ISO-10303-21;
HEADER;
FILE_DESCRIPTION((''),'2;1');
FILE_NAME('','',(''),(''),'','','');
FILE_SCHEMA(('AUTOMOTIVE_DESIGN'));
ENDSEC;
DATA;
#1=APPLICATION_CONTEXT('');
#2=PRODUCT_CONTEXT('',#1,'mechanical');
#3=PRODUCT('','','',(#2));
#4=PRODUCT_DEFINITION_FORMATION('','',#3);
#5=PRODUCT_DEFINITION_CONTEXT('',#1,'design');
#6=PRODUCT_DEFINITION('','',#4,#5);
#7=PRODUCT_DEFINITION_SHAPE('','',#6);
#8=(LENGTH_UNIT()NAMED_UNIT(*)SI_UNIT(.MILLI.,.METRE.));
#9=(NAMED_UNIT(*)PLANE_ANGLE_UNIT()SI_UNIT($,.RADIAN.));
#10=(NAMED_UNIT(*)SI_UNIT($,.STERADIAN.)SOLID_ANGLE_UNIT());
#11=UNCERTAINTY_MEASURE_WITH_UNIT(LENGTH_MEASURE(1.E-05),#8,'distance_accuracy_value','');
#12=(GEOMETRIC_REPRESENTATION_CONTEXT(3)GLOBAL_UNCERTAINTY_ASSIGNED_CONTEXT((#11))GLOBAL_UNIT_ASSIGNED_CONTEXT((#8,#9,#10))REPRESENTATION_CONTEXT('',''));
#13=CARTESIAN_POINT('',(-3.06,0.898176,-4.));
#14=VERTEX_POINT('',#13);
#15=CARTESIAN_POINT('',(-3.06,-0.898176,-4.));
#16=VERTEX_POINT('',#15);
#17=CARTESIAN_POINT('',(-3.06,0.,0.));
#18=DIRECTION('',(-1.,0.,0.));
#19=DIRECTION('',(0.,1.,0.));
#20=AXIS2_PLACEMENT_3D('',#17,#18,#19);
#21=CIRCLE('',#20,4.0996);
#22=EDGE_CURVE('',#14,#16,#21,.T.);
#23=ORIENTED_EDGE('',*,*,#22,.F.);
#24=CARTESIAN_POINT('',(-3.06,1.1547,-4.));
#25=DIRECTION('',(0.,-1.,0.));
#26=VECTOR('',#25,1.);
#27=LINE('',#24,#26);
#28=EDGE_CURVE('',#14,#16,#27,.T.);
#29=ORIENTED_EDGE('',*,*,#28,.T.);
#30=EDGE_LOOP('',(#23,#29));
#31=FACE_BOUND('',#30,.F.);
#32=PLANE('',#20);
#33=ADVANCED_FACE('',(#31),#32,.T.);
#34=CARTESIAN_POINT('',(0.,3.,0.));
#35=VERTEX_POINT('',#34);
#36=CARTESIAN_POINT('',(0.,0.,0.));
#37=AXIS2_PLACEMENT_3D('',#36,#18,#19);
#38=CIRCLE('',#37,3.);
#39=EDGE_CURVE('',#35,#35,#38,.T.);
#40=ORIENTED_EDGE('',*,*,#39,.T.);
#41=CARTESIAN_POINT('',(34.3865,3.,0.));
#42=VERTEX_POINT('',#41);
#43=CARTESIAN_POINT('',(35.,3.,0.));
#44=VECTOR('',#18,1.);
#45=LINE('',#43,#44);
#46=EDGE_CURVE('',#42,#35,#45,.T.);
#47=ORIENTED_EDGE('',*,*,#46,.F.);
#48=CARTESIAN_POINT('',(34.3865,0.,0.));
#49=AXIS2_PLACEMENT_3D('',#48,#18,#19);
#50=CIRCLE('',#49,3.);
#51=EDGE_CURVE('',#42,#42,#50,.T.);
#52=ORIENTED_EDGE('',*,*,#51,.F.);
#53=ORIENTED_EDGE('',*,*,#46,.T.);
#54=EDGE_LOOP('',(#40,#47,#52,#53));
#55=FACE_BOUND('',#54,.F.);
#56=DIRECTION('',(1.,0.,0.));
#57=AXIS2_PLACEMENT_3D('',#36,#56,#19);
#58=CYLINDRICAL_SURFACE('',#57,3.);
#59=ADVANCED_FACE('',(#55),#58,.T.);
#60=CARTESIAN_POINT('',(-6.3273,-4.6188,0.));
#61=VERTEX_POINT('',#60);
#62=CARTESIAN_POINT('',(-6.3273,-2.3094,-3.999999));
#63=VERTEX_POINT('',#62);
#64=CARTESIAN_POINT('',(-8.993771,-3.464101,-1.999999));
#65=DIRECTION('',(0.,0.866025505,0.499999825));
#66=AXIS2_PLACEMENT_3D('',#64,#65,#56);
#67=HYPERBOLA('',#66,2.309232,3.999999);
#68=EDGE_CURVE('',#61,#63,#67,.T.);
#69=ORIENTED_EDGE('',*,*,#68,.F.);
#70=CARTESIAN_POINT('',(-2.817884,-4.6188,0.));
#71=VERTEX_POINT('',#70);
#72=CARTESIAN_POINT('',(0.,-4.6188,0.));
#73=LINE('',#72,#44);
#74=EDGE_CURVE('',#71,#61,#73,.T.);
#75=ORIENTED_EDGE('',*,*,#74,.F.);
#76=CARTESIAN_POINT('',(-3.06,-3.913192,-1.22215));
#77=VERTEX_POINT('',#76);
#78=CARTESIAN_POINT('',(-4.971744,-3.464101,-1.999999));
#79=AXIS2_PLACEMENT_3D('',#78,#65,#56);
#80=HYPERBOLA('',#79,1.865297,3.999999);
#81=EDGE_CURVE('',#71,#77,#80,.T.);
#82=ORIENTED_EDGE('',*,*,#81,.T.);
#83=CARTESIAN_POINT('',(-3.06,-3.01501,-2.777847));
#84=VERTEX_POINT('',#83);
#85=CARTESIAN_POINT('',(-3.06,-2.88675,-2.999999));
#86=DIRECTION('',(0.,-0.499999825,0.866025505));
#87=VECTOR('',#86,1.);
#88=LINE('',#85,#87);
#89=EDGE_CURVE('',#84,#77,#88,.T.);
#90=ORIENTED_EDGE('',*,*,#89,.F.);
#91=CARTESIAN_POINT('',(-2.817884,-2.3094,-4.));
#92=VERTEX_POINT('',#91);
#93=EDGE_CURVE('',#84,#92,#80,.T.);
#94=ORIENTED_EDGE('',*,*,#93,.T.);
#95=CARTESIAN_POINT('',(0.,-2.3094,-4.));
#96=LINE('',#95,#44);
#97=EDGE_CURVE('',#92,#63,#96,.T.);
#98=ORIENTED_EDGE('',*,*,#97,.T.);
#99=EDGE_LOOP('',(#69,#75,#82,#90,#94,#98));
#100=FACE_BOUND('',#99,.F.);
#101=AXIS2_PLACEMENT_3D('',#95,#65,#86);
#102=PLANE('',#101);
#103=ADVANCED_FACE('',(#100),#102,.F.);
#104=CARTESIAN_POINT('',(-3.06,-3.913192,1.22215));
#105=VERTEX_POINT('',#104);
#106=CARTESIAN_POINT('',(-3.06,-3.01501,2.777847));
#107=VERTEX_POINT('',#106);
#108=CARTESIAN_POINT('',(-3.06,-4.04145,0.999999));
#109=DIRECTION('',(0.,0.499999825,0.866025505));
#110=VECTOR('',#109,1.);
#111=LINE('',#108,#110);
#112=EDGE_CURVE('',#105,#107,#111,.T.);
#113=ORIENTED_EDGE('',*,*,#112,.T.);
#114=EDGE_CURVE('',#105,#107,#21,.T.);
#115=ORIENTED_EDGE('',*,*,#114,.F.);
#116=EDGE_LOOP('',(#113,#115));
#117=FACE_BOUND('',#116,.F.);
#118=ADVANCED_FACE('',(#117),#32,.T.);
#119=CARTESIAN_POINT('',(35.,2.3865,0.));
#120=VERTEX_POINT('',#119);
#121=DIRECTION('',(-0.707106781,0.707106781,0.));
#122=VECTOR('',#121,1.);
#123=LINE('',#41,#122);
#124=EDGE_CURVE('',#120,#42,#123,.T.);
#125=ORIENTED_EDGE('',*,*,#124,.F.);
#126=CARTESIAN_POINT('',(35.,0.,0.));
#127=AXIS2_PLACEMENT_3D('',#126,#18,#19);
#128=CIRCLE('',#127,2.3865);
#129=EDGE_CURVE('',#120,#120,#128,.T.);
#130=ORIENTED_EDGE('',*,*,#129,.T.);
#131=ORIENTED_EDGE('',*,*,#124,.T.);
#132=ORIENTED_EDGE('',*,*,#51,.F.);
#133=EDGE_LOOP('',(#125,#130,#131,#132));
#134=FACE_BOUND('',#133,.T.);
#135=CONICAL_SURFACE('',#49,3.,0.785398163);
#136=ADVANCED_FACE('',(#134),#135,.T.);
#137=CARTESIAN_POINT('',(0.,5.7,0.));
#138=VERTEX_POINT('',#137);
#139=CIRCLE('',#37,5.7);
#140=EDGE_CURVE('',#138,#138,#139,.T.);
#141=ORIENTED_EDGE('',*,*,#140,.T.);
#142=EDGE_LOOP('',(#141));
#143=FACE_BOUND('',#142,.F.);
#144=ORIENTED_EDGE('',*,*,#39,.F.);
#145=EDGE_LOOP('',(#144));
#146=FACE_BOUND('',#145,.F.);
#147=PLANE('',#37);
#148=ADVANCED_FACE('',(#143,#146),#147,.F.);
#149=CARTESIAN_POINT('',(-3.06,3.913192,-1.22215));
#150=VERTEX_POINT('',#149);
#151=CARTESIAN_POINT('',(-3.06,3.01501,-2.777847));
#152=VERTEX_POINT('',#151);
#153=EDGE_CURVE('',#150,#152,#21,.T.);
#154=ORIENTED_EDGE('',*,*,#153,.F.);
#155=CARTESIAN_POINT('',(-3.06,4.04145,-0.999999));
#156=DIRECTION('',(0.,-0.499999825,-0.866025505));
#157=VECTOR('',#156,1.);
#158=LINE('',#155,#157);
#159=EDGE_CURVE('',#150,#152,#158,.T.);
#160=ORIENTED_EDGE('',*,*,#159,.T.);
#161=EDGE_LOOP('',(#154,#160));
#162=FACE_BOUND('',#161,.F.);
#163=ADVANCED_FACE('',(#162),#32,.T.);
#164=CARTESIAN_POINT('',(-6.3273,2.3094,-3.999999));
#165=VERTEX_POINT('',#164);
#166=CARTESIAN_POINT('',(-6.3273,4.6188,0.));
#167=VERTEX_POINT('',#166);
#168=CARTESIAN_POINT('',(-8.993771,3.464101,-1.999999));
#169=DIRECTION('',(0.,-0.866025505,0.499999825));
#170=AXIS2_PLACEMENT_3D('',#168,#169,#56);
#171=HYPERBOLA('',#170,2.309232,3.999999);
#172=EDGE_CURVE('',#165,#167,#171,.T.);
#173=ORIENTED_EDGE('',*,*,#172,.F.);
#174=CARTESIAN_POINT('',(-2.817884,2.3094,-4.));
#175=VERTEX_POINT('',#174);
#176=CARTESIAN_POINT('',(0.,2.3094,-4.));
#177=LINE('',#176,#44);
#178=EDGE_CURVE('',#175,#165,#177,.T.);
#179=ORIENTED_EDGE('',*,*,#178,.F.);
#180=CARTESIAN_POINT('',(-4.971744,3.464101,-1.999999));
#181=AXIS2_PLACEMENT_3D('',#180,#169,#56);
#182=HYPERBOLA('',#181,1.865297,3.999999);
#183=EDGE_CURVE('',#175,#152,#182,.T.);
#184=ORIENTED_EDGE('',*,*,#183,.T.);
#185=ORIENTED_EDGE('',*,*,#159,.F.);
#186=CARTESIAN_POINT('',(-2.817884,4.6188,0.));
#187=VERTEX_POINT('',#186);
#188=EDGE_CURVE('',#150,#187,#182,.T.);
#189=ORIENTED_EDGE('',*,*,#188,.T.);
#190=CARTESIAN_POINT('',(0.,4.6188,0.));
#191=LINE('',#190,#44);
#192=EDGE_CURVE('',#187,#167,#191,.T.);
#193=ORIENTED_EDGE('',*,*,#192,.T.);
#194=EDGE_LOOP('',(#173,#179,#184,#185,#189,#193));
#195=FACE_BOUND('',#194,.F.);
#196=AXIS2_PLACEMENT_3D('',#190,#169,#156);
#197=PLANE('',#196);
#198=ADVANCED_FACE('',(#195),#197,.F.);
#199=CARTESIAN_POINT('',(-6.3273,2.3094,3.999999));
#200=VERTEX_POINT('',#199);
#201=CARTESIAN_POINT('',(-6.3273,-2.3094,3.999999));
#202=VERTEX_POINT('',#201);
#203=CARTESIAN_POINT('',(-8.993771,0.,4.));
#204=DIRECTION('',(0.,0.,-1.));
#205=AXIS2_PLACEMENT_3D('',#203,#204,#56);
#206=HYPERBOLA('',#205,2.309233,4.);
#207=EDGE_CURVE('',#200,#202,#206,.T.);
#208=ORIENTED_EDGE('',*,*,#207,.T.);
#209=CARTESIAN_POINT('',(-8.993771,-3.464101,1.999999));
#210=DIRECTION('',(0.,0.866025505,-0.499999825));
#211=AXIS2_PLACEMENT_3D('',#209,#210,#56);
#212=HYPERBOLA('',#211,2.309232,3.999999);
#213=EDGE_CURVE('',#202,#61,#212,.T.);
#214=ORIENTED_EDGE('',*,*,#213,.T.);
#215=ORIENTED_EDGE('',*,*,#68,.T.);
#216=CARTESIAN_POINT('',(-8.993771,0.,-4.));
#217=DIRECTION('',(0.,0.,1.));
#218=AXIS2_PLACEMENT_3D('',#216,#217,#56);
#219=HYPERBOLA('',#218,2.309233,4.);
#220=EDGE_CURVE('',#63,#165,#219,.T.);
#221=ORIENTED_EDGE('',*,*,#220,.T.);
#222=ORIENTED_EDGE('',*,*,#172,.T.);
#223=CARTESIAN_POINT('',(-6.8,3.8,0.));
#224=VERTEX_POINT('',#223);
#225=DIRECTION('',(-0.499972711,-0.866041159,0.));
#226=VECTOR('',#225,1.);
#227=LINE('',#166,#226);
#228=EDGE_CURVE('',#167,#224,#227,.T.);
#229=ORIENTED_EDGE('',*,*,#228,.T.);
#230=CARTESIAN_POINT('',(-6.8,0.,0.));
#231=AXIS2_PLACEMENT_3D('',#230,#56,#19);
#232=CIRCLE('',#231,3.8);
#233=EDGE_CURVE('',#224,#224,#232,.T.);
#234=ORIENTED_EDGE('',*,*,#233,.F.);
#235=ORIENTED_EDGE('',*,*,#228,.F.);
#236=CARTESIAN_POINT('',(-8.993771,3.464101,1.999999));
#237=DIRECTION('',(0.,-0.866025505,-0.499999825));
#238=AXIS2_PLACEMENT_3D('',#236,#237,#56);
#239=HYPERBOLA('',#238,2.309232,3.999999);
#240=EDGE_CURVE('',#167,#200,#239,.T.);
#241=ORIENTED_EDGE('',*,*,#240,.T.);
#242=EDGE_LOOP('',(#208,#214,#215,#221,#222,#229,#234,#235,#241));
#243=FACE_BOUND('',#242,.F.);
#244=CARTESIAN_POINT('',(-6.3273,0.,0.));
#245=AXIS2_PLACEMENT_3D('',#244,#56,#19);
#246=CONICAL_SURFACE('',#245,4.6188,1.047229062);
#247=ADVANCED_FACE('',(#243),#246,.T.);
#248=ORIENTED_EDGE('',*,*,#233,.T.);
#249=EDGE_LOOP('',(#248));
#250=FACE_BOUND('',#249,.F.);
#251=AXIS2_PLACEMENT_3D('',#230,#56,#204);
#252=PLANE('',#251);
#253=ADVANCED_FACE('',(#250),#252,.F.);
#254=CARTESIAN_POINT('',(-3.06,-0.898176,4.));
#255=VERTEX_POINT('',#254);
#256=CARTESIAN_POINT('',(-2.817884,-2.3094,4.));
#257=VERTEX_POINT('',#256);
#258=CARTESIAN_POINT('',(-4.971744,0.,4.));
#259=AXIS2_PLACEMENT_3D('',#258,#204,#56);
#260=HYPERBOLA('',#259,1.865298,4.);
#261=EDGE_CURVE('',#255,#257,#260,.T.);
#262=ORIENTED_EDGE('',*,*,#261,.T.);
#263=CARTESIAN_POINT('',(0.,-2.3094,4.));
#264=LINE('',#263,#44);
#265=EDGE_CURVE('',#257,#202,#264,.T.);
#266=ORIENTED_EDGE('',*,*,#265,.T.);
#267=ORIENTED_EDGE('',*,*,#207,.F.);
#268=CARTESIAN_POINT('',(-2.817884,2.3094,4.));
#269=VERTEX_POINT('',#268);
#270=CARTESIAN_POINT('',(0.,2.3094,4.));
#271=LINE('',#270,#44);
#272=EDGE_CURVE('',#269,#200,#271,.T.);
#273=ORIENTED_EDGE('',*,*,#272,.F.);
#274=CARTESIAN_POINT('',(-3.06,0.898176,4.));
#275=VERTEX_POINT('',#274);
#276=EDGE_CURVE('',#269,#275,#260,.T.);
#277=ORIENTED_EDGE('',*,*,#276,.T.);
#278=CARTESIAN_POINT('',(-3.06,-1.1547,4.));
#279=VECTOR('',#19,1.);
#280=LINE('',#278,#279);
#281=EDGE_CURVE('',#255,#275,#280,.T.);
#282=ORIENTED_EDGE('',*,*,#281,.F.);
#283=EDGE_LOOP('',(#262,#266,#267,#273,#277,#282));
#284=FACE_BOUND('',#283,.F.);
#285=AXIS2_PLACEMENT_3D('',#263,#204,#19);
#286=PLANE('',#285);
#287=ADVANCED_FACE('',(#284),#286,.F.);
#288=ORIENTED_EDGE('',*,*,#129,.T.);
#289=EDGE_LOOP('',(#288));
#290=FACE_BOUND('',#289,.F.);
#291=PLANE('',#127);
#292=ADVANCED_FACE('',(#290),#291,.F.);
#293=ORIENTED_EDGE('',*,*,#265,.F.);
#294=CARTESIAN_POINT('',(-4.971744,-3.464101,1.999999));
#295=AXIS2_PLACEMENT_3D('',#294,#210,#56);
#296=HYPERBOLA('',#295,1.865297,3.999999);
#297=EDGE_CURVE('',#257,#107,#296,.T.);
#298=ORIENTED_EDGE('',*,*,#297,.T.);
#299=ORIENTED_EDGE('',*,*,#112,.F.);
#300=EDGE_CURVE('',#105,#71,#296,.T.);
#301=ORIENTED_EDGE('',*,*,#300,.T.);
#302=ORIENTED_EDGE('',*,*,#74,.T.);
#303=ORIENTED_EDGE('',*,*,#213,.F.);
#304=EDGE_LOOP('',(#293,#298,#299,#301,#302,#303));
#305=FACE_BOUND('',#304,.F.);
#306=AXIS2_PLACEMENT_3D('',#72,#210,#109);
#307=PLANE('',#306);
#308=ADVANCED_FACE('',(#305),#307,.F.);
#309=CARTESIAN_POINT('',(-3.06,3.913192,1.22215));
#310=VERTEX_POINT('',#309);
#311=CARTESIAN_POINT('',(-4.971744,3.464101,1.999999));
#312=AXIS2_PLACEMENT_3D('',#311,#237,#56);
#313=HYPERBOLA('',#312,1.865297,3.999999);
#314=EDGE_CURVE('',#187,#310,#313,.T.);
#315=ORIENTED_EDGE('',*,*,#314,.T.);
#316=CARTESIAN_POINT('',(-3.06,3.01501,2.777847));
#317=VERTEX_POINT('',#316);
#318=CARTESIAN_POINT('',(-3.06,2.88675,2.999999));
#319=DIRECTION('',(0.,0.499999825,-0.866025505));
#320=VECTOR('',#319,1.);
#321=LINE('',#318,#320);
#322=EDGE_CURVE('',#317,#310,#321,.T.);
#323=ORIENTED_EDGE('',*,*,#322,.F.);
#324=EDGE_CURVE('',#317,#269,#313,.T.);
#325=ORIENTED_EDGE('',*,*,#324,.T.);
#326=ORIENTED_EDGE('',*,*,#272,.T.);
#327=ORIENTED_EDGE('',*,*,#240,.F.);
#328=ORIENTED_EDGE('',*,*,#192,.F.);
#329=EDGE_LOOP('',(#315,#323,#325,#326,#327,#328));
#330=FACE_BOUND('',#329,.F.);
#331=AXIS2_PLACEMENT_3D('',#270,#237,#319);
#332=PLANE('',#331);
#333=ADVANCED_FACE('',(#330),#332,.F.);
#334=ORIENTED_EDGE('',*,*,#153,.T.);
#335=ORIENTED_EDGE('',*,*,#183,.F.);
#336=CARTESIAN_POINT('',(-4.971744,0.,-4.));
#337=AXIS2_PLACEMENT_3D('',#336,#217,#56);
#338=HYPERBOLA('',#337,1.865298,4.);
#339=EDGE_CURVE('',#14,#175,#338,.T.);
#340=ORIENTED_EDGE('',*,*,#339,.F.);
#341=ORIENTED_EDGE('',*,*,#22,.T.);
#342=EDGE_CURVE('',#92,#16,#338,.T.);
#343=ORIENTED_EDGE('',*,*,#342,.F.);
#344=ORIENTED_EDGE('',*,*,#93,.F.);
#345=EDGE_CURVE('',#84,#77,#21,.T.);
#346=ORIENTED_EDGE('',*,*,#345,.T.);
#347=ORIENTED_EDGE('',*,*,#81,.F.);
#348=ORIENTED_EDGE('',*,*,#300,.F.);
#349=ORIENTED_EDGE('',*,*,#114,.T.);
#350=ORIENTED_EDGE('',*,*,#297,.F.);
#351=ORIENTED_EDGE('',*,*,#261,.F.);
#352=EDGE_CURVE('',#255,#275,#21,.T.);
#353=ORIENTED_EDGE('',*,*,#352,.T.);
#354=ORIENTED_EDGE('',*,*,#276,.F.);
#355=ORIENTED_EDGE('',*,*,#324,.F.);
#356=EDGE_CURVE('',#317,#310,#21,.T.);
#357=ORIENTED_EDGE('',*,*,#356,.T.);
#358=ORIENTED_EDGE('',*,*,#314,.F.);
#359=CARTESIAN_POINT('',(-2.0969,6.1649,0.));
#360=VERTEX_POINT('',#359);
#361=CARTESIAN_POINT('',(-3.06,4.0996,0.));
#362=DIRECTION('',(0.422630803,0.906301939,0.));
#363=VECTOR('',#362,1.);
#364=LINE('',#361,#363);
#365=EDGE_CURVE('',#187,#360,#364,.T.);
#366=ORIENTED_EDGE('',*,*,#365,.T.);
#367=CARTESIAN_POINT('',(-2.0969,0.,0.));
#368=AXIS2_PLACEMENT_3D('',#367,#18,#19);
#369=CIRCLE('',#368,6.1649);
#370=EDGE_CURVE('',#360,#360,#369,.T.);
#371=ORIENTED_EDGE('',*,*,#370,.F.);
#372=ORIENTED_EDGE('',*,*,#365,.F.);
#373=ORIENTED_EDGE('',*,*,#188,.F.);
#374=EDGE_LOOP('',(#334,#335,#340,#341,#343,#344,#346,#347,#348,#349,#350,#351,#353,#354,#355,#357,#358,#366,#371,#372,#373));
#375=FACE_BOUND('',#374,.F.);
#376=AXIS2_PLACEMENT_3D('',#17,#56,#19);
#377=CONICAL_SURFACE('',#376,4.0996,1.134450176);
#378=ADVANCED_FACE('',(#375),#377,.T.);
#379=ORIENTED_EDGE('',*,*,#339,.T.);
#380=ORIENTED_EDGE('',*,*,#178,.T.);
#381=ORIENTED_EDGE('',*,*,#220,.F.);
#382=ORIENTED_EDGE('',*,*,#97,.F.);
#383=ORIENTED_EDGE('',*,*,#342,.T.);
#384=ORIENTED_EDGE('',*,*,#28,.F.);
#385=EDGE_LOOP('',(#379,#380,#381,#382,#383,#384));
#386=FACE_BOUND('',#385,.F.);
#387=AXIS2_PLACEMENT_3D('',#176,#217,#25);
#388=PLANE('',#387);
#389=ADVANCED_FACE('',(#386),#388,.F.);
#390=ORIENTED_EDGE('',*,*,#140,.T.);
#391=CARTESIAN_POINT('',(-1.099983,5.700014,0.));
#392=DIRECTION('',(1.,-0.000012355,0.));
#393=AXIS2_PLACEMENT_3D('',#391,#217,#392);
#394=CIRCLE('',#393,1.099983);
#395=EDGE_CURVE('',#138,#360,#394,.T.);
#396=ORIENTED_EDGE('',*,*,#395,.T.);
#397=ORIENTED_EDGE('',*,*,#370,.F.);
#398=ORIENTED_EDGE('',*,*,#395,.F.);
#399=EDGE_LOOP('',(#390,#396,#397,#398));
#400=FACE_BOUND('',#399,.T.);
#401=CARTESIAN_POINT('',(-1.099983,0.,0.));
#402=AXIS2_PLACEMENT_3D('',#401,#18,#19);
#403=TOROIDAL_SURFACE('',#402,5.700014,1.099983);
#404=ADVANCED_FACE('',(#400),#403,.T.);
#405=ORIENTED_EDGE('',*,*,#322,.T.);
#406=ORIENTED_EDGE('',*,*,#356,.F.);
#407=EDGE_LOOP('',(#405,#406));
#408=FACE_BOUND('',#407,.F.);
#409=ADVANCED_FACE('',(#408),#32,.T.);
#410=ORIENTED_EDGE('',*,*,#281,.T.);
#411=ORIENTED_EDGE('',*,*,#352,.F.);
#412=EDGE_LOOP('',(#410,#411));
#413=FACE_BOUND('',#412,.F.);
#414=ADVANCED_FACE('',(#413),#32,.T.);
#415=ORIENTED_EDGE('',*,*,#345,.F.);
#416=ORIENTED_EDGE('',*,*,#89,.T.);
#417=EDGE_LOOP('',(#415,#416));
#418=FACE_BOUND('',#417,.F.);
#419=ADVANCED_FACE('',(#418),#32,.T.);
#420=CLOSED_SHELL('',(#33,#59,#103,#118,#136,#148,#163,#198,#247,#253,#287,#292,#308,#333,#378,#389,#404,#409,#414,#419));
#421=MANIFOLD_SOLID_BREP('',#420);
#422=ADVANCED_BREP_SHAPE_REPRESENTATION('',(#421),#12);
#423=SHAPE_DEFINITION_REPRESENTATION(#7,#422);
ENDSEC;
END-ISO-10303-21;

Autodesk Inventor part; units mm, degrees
ref_plane "YZ Plane" through (0, 0, 0) normal (1, 0, 0) x (0, 1, 0)
ref_plane "XZ Plane" through (0, 0, 0) normal (0, 1, 0) x (-1, 0, 0)
sketch "Schizzo1" plane through (0, 0, 0) normal (0, 0, 1) x (1, 0, 0)
  line L0 (-3.06, 0) -> (-3.06, 4.0996)
  line L1 (0, 5.7) -> (0, 3)
  line L2 (17, 3) -> (35, 3)
  line L3 (35, 3) -> (35, 0)
  line L4 (35, 0) -> (-3.06, 0)
  arc A0 (0, 5.7) -> (-2.0969, 6.1649) centre (-1.1, 5.7) ccw
  line L5 (0, -1.4013) -> (0, 8.4076) projected
  line L6 (-10.672, 0) -> (42.612, 0) projected
  line L7 (0, 3) -> (0.0001, 3)
  line L8 (0.0001, 3) -> (0.0001, 3)
  line L9 (0.0001, 3) -> (16.3865, 3)
  line L10 (16.3865, 3) -> (17, 3)
  line L11 (-3.06, 4.0996) -> (-2.0969, 6.1649)
  line L12 (0.0001, 3) -> (17, 3) construction
  line L13 (17, 3) -> (17, 0) construction
  dimension "d0" = 1.1
  dimension "d1" = 35
  dimension "d2" = 18
  dimension "d3" = 13.6
  dimension "d4" = 6
  dimension "d5" = 3.06
  dimension "d15" = 6
  dimension "d16" = 6
  dimension "d17" = 0.0001
  dimension "d18" = 0.6135
  dimension "d19" = 25
revolve "Corpo" add sketch "Schizzo1" angle 360 about axis through (35, 0, 0) along (-1, 0, 0)
sketch "Schizzo2" plane through (0, 0, 0) normal (1, 0, 0) x (0, 0, -1)
  line L0 (4, 2.3094) -> (4, -2.3094)
  line L1 (4, -2.3094) -> (0, -4.6188)
  line L2 (0, -4.6188) -> (-4, -2.3094)
  line L3 (-4, -2.3094) -> (-4, 2.3094)
  line L4 (-4, 2.3094) -> (0, 4.6188)
  line L5 (0, 4.6188) -> (4, 2.3094)
  point P0 (0, 0)
  point P1 (0, 0)
  dimension "d23" = 8
extrude "Testa" add sketch "Schizzo2" against normal blind 6.8
sketch "Schizzo3" plane through (0, 0, 0) normal (0, 0, 1) x (1, 0, 0)
  line L0 (-6.8, 3.8) -> (-6.8, 4.6188)
  line L1 (-6.8, 4.6188) -> (-6.3273, 4.6188)
  line L2 (-6.3273, 4.6188) -> (-6.8, 3.8)
  line L3 (-7.5964, 0) -> (-2.0215, 0) projected
  line L4 (-6.8, 4.6188) -> (-6.8, 2.3094) projected
  line L5 (-2.8179, 4.6188) -> (-6.8, 4.6188) projected
  point P0 (-6.8, 2.3094)
  dimension "d8" = 30
  dimension "d22" = 7.6
revolve "Smusso1" cut sketch "Schizzo3" angle 360 about axis through (-10, 0, 0) along (1, 0, 0)
thread "Filettatura" size "M6x1" class "6g" standard "ISO Metric profile" length 18
chamfer "Smusso2" distance 0.6135 distance2 0.6135 1 edges at (35, -3, 0) measured on face at (35, -0.3546, -0.3912)
ref_plane "Work Plane1" through (10.95, 0, 0) normal (0, 0, -1) x (1, 0, 0)
equation "\"d0\" = PHH"
equation "\"d1\" = NLG"
equation "\"d2\" = GEL"
equation "\"d3\" = LADI"
equation "\"d4\" = GD"
equation "\"d5\" = 0.45 * KOH"
equation "\"d15\" = SD2"
equation "\"d16\" = BDM"
equation "\"d18\" = GAL"
equation "\"d19\" = KEWI"
equation "\"d23\" = SW"
equation "\"d6\" = KOH"
equation "\"d8\" = ANG1"
equation "\"d22\" = SW0"
equation "\"d10\" = GEL"
equation "\"d13\" = -0.5 * SPD + 0.5 * GD"
equation "\"d14\" = GUL"
equation "\"NLG\" = 35"
equation "\"GD\" = NND"
equation "\"BDM\" = NND"
equation "\"KOH\" = 6.8"
equation "\"GEL\" = 18"
equation "\"LADI\" = 13.6"
equation "\"SW\" = 8"
equation "\"PHH\" = RR"
equation "\"SW0\" = 7.6"
equation "\"SPD\" = NND - 1.2269 * PTC"
equation "\"SD2\" = NND"
equation "\"SD\" = 0"
equation "\"ANG1\" = 30deg"
equation "\"KEWI\" = 25deg"
equation "\"GAL\" = 0.61345 * PTC"
equation "\"GUL\" = 0.61345 * PTC"
equation "\"PTC\" = 1"
equation "\"THREADDIA\" = 6"
equation "\"E0\" = 1.155 * SW"
equation "\"TOA\" = 30deg"
equation "\"NND\" = 6"
equation "\"GD1\" = THREADDIA - 1.2269 * PTC"
equation "\"SDH\" = SW"
equation "\"KOH1\" = 2.9"
equation "\"RR\" = 1.1"
properties part number "ISO 4162 - M6 x 35" material "Acciaio inossidabile"
